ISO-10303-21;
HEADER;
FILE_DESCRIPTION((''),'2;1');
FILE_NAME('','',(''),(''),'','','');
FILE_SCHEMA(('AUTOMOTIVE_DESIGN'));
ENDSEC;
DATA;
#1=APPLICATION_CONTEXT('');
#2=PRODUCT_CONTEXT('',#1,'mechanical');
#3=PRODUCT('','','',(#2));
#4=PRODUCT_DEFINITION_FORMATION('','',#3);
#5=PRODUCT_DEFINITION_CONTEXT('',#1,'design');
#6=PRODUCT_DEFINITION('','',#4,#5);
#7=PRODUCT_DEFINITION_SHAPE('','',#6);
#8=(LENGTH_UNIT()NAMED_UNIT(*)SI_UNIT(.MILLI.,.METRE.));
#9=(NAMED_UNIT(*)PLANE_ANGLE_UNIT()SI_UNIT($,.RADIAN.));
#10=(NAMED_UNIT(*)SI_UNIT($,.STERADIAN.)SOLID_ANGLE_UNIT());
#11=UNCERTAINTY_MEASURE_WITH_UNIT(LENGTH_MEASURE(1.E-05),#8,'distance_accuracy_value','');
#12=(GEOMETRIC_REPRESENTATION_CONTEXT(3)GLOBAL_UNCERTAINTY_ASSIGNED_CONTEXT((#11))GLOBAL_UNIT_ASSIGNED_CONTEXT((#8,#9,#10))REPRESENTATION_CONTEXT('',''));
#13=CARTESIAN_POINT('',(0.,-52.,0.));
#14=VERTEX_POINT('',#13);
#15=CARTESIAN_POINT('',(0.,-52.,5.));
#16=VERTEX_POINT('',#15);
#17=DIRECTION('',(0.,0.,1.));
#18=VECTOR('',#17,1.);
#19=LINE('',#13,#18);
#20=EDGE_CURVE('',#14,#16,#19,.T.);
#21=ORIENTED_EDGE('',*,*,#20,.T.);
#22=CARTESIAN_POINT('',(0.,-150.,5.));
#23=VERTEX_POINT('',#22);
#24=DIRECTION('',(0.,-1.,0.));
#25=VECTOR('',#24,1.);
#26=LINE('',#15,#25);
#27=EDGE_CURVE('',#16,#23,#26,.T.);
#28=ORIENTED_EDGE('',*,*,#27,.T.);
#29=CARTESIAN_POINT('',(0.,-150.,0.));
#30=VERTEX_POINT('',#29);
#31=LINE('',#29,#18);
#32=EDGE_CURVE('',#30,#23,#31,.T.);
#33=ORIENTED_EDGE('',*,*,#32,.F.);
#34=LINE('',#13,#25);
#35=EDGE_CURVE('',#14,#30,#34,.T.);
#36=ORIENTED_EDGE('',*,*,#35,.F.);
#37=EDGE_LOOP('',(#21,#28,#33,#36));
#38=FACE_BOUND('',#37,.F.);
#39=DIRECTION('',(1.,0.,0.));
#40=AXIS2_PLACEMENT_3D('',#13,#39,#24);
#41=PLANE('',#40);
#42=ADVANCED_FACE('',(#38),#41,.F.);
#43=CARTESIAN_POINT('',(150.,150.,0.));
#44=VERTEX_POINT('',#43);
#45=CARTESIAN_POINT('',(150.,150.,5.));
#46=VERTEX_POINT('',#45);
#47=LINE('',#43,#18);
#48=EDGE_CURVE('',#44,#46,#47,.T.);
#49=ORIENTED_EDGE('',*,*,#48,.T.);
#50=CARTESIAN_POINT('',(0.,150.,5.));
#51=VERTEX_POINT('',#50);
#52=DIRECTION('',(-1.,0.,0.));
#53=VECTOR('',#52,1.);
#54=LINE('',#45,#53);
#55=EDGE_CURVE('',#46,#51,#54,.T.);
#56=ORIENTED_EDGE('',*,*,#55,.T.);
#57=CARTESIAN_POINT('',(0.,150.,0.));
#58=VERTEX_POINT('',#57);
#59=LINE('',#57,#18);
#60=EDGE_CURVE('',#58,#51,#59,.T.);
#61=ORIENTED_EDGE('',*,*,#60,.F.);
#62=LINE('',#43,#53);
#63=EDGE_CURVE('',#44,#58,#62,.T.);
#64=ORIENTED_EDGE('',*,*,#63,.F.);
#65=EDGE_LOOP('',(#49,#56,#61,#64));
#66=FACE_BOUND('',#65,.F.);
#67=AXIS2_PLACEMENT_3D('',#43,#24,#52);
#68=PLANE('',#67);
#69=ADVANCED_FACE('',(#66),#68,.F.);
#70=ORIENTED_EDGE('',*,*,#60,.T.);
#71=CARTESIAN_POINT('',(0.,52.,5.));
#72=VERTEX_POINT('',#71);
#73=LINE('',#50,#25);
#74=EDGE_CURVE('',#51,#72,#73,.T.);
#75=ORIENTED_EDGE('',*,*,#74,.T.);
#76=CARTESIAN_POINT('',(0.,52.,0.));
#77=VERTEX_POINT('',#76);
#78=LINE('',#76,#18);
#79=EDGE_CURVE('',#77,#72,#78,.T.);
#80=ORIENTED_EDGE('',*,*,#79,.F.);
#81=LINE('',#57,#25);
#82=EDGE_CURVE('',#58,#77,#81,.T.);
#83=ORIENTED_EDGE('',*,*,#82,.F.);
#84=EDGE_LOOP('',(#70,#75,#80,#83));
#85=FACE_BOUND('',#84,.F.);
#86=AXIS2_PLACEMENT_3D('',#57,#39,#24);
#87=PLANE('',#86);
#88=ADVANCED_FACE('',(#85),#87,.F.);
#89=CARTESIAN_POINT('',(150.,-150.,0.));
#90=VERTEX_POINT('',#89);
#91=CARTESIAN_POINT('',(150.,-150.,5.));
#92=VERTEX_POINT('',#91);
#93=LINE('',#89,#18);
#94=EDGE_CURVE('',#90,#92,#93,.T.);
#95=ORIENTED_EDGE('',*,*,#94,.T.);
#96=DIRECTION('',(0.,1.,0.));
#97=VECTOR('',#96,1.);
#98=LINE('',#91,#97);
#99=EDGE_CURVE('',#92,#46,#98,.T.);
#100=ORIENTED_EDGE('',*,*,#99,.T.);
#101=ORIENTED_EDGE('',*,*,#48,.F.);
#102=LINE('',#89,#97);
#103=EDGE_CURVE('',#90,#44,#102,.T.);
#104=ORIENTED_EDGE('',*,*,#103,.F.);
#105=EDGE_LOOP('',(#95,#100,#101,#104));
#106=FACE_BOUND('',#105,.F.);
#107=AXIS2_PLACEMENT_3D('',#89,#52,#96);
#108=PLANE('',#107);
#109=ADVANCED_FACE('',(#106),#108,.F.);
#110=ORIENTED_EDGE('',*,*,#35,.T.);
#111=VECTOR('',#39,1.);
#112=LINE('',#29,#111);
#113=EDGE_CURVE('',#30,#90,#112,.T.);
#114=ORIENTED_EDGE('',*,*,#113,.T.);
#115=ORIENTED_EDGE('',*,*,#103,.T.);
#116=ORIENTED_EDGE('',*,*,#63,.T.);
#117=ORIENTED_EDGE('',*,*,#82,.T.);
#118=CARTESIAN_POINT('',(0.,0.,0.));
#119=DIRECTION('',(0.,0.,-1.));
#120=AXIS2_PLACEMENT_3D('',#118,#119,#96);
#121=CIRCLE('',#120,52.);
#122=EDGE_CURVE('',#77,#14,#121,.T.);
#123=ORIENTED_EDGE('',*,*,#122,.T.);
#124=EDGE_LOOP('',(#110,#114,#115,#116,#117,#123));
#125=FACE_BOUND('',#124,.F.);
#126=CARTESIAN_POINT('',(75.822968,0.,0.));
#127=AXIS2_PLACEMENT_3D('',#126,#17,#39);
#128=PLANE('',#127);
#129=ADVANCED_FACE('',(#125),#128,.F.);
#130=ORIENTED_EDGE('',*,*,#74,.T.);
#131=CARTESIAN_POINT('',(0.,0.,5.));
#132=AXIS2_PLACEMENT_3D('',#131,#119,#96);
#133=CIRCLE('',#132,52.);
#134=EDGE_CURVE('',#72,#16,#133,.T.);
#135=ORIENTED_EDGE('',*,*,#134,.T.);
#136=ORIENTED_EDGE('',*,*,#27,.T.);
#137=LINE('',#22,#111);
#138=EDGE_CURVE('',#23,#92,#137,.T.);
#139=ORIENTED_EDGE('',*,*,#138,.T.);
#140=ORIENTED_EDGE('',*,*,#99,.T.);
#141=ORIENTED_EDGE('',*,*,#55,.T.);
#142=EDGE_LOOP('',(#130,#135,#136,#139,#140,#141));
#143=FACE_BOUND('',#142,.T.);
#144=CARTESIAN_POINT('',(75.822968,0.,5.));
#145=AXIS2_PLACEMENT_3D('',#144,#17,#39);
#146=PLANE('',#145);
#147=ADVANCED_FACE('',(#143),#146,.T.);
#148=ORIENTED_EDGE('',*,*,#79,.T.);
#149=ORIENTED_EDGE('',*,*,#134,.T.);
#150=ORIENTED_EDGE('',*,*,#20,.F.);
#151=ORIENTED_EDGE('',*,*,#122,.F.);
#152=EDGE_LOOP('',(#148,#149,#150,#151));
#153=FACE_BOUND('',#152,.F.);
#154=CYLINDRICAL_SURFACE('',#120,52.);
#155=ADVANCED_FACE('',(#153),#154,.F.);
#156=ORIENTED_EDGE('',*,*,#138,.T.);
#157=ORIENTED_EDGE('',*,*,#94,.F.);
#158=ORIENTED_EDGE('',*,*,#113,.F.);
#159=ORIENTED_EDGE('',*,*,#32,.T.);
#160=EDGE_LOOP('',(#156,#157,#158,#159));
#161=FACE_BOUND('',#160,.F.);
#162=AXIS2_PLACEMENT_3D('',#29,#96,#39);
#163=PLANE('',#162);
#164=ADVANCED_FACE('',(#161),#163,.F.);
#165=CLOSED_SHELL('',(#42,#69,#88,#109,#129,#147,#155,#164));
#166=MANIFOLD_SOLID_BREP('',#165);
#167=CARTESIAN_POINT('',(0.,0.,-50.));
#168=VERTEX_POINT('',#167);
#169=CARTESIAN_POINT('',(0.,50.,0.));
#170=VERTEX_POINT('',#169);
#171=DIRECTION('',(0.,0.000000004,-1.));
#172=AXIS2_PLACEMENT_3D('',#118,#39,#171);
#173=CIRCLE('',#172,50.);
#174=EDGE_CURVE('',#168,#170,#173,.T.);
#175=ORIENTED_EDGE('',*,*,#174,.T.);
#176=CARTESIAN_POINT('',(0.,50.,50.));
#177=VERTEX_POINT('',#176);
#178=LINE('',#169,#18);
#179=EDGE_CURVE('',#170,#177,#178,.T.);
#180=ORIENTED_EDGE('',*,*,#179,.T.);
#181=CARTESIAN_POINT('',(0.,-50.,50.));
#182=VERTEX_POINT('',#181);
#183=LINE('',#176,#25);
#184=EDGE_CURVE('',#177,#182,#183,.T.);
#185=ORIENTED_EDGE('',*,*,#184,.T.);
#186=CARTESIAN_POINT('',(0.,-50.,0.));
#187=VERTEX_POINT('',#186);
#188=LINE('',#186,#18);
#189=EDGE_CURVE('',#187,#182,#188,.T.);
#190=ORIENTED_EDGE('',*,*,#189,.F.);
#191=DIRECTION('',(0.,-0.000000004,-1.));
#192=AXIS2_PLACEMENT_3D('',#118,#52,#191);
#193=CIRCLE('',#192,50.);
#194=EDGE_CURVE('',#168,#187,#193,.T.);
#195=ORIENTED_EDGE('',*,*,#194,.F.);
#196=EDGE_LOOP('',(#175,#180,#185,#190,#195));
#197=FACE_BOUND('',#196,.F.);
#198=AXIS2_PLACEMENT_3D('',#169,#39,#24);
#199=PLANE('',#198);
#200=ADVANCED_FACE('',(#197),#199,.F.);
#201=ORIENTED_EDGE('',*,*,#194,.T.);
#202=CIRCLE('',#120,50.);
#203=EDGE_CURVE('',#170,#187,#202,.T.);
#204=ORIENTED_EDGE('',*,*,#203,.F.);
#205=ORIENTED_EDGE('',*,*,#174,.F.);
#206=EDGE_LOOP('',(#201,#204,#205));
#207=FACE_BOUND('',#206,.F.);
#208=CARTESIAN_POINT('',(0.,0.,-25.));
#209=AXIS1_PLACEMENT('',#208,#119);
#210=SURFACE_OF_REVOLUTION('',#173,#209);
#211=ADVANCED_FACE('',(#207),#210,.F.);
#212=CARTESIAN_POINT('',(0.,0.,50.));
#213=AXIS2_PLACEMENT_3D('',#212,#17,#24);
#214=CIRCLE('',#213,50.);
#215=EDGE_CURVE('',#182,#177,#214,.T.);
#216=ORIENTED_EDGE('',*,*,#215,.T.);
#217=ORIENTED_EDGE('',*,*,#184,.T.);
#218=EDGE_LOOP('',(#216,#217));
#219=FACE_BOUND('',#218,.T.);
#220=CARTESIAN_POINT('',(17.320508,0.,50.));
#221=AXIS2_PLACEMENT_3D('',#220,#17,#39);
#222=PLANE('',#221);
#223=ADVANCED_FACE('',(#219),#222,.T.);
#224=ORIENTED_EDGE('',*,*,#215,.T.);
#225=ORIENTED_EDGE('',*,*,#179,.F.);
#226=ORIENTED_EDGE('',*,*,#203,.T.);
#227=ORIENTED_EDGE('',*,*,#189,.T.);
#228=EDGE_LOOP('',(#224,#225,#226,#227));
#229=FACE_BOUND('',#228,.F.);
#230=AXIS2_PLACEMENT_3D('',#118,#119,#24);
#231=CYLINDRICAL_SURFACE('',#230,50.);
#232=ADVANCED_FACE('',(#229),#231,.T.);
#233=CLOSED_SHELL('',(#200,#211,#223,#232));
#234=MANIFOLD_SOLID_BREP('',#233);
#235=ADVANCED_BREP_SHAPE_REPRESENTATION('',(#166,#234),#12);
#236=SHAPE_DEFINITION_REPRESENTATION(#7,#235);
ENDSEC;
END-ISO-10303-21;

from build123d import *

# Parameters (mm, degrees)
F1_ANGLE = 180
F2_DEPTH = 50
F4_DEPTH = 5


with BuildPart() as f1:
    # F0 (on Right) → F1 (revolve)
    with BuildSketch(Plane.YZ):
        with BuildLine():
            Line((50, 0), (0, 0))
            Line((0, 0), (0, -50))
            ThreePointArc((0, -50), (35.355339, -35.355339), (50, 0))
        make_face()
    revolve(axis=Axis((0, 0, -25), (0, 0, -1)), revolution_arc=F1_ANGLE)

    # F1_face (on face) → F2 (join)
    with BuildSketch(Plane(origin=(21.220659, 0, 0), x_dir=(1, 0, 0), z_dir=(0, 0, 1))):
        with BuildLine():
            ThreePointArc((-21.220659, -50), (28.779341, 0), (-21.220659, 50))
            Line((-21.220659, 50), (-21.220659, -50))
        make_face()
    extrude(amount=F2_DEPTH)


with BuildPart() as f4:
    # F3 (on Top) → F4 (new body)
    with BuildSketch(Plane.XY):
        with BuildLine():
            ThreePointArc((0, 52), (52, 0), (0, -52))
            Line((0, -52), (0, -150))
            Line((0, -150), (150, -150))
            Line((150, -150), (150, 150))
            Line((150, 150), (0, 150))
            Line((0, 150), (0, 52))
        make_face()
    extrude(amount=F4_DEPTH)


solid = Compound([f1.part, f4.part])
